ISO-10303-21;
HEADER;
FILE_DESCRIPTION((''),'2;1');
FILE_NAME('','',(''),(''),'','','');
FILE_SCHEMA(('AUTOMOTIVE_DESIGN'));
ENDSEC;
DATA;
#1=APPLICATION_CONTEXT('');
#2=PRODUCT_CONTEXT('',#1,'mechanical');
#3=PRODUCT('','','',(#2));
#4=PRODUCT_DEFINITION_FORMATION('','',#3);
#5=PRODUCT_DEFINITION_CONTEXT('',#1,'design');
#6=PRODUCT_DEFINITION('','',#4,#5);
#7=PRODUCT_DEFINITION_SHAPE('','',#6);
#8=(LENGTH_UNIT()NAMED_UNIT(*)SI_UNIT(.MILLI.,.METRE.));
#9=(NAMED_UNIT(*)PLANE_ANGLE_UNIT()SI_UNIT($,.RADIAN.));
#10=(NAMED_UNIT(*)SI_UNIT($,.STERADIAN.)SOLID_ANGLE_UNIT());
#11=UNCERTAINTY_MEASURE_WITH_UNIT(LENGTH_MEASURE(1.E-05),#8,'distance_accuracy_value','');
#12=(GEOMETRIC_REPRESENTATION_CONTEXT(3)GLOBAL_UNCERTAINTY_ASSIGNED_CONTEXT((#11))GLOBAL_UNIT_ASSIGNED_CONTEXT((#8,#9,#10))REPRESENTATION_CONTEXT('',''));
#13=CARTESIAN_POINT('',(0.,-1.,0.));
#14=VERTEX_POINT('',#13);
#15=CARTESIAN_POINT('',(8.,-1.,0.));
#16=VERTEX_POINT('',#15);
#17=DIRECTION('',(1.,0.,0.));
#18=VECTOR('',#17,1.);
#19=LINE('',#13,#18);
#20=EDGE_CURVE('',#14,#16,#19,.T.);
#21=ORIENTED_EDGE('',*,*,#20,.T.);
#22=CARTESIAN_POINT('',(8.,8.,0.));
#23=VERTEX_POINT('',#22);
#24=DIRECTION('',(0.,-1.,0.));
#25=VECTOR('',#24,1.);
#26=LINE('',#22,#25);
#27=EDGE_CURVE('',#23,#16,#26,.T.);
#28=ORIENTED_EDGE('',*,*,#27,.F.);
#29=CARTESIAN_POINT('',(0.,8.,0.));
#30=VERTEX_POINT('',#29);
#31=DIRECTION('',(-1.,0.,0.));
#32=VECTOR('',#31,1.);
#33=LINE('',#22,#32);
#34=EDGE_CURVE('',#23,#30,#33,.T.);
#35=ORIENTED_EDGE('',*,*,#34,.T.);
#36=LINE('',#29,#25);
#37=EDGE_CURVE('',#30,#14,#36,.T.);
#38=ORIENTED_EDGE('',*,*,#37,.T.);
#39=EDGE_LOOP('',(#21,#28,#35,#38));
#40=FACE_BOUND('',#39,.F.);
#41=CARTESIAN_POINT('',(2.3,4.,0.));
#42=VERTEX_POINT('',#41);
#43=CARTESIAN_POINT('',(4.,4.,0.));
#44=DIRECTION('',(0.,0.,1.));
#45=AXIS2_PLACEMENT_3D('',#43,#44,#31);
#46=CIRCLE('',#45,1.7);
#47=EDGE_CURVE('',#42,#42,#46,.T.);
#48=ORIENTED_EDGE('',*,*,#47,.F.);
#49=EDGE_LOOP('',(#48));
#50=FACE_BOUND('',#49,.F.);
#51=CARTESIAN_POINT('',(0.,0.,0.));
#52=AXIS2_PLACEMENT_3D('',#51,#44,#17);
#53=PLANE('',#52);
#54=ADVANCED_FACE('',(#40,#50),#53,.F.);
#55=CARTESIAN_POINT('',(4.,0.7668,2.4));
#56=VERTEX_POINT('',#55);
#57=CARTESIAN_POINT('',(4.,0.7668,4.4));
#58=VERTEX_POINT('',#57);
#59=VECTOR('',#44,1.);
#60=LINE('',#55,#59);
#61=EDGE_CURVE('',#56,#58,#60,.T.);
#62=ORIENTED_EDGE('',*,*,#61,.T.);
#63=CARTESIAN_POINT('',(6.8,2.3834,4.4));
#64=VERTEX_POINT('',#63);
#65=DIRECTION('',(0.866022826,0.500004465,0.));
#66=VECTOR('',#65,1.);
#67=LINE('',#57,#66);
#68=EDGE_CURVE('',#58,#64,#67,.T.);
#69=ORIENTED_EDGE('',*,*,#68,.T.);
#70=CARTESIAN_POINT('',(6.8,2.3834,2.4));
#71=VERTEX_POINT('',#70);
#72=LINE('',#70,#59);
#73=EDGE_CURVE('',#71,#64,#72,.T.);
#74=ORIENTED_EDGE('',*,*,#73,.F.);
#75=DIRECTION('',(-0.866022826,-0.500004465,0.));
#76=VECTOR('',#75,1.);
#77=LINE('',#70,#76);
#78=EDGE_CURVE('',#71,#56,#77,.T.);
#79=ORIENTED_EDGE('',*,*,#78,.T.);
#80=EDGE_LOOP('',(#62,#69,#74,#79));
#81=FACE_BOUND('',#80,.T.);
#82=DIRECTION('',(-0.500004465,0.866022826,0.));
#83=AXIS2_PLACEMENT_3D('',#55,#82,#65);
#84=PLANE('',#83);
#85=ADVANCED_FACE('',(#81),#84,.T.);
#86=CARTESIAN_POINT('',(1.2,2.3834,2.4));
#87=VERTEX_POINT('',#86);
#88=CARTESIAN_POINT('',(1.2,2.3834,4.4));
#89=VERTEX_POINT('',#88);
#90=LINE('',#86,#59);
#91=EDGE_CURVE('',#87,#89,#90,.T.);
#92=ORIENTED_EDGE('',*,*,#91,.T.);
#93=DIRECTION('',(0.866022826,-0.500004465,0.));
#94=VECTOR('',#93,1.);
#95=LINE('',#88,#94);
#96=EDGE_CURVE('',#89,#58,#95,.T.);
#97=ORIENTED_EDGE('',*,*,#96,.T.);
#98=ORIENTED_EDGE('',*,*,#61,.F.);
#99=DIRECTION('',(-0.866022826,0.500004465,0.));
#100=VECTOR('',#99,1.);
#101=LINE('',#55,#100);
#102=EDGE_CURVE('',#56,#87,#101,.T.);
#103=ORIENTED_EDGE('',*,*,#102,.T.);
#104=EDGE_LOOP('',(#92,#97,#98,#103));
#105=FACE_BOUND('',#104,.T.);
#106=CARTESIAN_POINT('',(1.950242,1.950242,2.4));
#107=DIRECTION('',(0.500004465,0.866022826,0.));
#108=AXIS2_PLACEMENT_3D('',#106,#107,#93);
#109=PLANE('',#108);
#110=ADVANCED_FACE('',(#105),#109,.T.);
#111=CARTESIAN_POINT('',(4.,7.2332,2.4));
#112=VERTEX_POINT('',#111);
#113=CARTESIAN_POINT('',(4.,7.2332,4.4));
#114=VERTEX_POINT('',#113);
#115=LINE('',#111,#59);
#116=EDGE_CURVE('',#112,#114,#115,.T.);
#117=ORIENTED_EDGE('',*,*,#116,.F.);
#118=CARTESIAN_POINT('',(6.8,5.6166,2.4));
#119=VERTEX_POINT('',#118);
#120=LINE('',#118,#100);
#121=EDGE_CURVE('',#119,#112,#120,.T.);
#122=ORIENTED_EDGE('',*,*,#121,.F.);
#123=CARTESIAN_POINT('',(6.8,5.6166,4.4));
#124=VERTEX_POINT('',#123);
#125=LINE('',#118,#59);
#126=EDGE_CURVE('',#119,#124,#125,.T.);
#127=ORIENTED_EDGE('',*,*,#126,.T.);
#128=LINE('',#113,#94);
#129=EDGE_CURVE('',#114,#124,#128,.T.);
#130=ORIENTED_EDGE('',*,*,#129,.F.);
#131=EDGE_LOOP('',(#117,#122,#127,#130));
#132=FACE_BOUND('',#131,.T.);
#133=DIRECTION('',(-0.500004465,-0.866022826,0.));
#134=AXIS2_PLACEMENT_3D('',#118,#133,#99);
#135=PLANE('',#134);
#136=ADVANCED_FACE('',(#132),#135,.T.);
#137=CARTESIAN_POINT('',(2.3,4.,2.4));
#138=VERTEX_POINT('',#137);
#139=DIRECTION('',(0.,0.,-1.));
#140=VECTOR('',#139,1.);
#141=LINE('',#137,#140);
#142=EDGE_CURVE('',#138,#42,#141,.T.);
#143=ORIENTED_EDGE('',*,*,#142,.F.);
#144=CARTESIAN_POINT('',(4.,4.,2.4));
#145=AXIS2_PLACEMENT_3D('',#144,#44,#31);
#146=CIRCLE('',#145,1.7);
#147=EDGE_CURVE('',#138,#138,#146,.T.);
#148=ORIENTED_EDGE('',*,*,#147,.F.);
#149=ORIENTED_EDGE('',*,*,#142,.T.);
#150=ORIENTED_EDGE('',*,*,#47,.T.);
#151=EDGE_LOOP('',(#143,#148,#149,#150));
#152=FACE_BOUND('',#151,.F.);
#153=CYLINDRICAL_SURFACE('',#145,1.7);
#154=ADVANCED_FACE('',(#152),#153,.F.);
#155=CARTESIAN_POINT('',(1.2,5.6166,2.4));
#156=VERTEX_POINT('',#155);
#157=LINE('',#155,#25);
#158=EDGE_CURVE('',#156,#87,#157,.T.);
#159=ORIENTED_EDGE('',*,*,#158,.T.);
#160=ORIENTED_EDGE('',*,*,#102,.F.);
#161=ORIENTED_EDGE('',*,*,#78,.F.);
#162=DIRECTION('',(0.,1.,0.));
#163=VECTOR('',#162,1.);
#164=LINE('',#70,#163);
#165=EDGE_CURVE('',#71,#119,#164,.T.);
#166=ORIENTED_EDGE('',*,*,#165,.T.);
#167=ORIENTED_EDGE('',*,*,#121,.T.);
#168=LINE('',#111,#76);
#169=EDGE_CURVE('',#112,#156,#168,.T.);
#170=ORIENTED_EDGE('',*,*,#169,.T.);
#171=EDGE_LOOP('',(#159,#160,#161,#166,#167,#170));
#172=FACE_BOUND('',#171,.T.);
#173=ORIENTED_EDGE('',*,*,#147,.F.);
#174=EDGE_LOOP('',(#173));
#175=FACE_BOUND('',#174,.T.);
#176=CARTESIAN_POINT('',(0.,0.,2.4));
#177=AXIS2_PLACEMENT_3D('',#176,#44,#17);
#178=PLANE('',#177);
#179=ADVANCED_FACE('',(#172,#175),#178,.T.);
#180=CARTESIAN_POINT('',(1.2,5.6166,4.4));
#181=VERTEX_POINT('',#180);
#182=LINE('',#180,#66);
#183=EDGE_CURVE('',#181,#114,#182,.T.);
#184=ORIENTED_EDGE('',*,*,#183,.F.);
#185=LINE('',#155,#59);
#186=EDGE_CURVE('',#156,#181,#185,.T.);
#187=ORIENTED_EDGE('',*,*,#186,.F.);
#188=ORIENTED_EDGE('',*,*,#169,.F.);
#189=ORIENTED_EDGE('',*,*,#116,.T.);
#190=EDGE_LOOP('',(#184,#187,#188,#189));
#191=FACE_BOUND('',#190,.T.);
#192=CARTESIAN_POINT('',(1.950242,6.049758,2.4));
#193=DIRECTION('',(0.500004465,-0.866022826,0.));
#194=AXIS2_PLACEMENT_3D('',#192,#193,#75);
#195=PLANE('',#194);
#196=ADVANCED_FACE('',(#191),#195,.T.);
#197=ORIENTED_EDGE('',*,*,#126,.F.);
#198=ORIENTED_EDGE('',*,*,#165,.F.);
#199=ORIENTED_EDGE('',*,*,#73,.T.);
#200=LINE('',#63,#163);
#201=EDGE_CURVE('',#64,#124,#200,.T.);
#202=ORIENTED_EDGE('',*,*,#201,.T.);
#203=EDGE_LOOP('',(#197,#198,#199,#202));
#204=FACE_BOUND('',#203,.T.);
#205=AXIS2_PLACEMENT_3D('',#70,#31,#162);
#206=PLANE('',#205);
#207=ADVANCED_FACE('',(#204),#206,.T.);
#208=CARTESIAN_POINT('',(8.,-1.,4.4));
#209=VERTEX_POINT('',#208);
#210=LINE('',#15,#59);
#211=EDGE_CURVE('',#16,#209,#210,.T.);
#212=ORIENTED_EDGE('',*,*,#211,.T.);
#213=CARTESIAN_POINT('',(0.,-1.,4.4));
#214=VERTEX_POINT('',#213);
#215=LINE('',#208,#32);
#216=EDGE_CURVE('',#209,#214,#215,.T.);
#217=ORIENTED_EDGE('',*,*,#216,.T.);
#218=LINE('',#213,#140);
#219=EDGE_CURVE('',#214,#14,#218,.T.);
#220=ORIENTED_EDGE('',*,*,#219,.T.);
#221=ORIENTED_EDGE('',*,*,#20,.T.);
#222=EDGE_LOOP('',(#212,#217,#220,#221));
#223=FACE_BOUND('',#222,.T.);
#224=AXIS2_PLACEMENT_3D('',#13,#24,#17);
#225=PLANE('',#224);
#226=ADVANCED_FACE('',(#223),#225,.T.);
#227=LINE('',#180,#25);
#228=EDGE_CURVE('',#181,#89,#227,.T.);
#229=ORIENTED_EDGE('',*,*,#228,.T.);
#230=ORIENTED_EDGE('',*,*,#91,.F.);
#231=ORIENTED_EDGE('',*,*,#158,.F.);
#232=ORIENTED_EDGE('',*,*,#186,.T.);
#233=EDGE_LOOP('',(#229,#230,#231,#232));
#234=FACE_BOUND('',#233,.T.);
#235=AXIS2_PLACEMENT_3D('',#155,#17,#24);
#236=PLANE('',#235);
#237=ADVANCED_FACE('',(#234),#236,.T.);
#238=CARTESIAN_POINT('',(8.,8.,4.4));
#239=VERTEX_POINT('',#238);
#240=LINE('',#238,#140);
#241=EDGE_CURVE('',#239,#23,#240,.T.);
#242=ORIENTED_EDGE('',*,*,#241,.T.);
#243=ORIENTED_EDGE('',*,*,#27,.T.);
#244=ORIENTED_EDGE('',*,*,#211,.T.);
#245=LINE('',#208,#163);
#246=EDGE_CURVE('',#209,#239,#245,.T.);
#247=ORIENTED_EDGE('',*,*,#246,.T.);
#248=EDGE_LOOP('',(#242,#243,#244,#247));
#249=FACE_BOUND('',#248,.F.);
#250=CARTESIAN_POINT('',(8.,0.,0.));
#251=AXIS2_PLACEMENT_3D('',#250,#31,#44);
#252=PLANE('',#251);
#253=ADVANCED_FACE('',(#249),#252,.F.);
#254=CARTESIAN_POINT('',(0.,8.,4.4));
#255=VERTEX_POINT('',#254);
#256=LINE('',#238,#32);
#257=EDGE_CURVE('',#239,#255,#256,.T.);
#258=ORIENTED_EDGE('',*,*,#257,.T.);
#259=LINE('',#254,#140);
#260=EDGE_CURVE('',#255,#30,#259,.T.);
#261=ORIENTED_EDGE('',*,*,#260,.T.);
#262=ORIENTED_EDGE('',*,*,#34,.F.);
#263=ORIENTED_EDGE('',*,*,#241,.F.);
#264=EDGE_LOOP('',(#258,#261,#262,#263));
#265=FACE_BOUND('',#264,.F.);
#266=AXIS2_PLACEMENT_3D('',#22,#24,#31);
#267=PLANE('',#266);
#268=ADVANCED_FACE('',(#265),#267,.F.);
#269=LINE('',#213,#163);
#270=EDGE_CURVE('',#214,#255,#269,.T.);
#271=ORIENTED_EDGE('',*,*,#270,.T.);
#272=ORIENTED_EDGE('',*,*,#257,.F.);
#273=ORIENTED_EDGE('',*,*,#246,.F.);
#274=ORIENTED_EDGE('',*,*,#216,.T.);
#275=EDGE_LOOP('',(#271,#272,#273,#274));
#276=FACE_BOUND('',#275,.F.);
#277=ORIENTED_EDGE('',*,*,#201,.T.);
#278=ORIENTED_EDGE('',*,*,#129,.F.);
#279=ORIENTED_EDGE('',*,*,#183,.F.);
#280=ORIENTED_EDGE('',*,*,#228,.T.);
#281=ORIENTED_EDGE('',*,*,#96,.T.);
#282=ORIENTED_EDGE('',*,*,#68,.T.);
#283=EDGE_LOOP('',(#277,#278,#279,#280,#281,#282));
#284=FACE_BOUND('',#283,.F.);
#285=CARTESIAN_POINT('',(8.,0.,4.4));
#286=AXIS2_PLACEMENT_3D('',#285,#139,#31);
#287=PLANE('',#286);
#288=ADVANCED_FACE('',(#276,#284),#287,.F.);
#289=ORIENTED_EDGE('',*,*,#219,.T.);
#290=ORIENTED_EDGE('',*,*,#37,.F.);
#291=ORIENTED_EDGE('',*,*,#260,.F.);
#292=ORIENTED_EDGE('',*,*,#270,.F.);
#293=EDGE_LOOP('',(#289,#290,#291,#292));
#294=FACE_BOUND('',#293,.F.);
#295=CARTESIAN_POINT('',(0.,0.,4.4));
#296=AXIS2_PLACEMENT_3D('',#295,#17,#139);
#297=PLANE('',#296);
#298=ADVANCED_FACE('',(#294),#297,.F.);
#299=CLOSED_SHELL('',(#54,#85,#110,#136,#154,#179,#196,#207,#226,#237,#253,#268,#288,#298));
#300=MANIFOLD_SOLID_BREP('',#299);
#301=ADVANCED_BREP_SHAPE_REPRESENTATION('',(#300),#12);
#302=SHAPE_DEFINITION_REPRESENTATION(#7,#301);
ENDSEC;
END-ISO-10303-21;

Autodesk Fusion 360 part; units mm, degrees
sketch "Sketch1" plane through (0, 0, 0) normal (0, 0, 1) x (1, 0, 0)
  line L0 (0, 0) -> (0, 8)
  line L1 (0, 0) -> (8, 0)
  line L2 (8, 0) -> (8, 8)
  line L3 (8, 8) -> (0, 8)
  dimension "d1" = 8
  dimension "d2" = 8
extrude "Extrude1" add sketch "Sketch1" along normal blind 2.4
sketch "Sketch2" plane through (0, 0, 2.4) normal (0, 0, 1) x (-1, 0, 0)
  line L0 (0, 0) -> (-8, 0)
  line L1 (-8, 0) -> (-8, -8)
  line L2 (-8, -8) -> (0, -8)
  line L3 (0, -8) -> (0, 0)
  line L4 (-8, -8) -> (0, 0)
  line L5 (-8, 0) -> (0, -8)
  line L6 (-6.8, -5.6166) -> (-4, -7.2332)
  line L7 (-4, -7.2332) -> (-1.2, -5.6166)
  line L8 (-1.2, -5.6166) -> (-1.2, -2.3834)
  line L9 (-1.2, -2.3834) -> (-4, -0.7668)
  line L10 (-4, -0.7668) -> (-6.8, -2.3834)
  line L11 (-6.8, -2.3834) -> (-6.8, -5.6166)
  point P0 (-4, -4)
  dimension "d5" = 2.8
extrude "Extrude2" add sketch "Sketch2" along normal blind 2 contours L0 L4 L5 L9 L10 | L3 L4 L5 L7 L8 L9 | L1 L4 L5 L6 L10 L11 | L2 L4 L5 L6 L7
sketch "Sketch3" plane through (0, 0, 2.4) normal (0, 0, 1) x (-1, 0, 0)
  line L0 (-6.8, -5.6166) -> (-4, -7.2332)
  line L1 (-4, -7.2332) -> (-1.2, -5.6166)
  line L2 (-1.2, -5.6166) -> (-1.2, -2.3834)
  line L3 (-1.2, -2.3834) -> (-4, -0.7668)
  line L4 (-4, -0.7668) -> (-6.8, -2.3834)
  line L5 (-6.8, -2.3834) -> (-6.8, -5.6166)
  circle A0 centre (-4, -4) radius 1.7
  dimension "d12" = 3.4
extrude "Extrude3" cut sketch "Sketch3" against normal blind 2.4 contours A0
sketch "Sketch4" plane through (0, 0, 0) normal (0, -1, 0) x (1, 0, 0)
  line L0 (0, 0) -> (8, 0)
  line L1 (8, 0) -> (8, 4.4)
  line L2 (8, 4.4) -> (0, 4.4)
  line L3 (0, 4.4) -> (0, 0)
  line L4 (8, 4.4) -> (0, 4.4)
  line L5 (0, 4.4) -> (0, 0)
  line L6 (0, 0) -> (8, 0)
  line L7 (8, 0) -> (8, 4.4)
extrude "Extrude4" add sketch "Sketch4" along normal blind 1
sketch "Sketch5" plane through (0, 0, 0) normal (-1, 0, 0) x (0, -1, 0)
  line L0 (-8, 0) -> (1, 0)
  line L1 (1, 0) -> (1, 4.4)
  line L2 (1, 4.4) -> (-8, 4.4)
  line L3 (-8, 4.4) -> (-8, 0)
